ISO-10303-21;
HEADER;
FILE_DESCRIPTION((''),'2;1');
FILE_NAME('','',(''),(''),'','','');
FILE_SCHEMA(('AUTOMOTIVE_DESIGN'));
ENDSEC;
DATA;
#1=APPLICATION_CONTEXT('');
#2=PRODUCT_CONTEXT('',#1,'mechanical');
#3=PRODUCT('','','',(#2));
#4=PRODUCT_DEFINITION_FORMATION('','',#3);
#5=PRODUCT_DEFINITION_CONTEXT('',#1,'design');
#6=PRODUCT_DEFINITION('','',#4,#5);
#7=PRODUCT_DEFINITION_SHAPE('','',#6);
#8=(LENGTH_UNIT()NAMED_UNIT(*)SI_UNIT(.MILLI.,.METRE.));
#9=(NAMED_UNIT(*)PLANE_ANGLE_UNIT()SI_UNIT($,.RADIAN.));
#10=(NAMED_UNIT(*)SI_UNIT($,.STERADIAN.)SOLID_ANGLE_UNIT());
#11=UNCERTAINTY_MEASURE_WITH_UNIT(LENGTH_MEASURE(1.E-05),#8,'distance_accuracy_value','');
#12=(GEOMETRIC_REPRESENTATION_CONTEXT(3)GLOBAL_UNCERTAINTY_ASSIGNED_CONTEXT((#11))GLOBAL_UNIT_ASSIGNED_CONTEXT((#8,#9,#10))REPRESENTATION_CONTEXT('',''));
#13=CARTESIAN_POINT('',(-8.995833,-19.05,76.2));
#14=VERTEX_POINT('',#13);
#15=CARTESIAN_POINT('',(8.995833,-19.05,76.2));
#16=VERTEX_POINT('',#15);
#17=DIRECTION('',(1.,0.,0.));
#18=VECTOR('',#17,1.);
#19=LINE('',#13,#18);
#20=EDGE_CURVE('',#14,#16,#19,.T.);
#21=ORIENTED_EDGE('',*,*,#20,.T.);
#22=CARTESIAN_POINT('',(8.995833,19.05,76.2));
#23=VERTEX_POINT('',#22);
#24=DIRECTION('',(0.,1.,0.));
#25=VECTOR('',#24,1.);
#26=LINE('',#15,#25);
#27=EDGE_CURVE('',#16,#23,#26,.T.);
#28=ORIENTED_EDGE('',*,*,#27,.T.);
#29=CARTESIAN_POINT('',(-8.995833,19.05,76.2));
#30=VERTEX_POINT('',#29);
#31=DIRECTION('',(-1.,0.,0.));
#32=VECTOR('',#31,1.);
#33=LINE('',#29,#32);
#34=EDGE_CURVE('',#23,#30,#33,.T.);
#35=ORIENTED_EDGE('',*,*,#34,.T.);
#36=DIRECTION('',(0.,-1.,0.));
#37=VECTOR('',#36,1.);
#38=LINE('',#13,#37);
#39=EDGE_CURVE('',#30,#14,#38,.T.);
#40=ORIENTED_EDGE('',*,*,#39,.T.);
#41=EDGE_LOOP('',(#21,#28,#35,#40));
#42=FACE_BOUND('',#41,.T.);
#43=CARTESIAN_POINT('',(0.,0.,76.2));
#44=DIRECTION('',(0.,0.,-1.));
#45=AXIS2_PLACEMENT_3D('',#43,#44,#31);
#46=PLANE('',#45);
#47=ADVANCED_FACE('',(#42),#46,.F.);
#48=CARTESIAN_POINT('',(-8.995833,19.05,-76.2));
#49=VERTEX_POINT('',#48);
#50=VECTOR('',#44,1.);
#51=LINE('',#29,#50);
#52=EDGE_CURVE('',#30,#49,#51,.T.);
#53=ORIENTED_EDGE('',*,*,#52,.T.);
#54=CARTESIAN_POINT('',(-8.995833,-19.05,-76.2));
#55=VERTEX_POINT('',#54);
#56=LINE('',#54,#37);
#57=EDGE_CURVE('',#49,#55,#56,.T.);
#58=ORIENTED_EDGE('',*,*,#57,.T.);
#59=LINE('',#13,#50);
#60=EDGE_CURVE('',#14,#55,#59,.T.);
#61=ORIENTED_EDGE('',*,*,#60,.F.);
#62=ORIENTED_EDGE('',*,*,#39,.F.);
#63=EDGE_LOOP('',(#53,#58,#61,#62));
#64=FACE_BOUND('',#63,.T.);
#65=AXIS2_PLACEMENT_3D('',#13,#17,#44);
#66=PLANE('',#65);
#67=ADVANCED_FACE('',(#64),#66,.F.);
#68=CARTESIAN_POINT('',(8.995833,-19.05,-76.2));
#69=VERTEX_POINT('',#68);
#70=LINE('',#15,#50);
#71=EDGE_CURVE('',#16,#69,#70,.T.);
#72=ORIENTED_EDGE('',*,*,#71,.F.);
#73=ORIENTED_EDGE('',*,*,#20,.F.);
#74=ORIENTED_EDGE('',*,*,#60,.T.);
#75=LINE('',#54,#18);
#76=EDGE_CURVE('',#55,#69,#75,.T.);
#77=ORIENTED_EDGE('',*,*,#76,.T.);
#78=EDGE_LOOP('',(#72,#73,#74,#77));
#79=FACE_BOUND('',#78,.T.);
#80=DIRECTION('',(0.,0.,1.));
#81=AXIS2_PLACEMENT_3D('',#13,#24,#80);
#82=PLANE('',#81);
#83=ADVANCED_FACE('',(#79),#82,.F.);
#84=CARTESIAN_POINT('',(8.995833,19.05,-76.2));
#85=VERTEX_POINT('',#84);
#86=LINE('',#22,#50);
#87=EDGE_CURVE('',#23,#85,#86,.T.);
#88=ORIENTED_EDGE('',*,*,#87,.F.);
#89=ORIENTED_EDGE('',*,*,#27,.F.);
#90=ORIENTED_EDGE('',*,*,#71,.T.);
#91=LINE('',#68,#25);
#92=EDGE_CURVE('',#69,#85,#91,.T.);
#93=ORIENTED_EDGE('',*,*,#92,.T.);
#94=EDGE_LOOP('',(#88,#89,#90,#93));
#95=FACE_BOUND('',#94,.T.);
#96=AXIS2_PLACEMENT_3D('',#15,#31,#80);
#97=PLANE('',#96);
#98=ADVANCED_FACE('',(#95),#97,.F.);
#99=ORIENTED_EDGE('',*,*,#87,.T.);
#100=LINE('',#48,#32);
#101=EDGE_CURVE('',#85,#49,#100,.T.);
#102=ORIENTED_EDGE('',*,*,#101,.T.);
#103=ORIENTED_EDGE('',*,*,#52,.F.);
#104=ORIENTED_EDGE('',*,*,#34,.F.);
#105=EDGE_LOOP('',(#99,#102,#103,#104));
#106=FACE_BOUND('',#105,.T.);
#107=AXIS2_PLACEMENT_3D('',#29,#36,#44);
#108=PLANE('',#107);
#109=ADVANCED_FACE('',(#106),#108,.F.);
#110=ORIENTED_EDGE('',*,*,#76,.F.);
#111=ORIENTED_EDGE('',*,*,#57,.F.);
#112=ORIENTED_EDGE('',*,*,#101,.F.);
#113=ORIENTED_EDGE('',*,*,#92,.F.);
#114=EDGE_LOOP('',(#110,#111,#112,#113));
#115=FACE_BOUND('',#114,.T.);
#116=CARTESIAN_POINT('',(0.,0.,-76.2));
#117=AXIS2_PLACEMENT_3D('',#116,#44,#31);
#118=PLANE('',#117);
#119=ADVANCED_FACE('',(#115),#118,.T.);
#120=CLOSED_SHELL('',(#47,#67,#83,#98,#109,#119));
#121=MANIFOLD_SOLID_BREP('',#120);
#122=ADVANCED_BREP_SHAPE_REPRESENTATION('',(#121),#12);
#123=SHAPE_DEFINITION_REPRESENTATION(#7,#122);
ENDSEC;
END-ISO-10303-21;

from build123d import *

# Parameters (mm, degrees)
SKETCH1_W           = 17.991666666
SKETCH1_H           = 38.1
BOSS_EXTRUDE1_DEPTH = 76.2


with BuildPart() as part:
    # Sketch1 → Boss-Extrude1 (new, symmetric)
    with BuildSketch(Plane.XY):
        Rectangle(SKETCH1_W, SKETCH1_H)
    extrude(amount=BOSS_EXTRUDE1_DEPTH, both=True)


solid = part.part
